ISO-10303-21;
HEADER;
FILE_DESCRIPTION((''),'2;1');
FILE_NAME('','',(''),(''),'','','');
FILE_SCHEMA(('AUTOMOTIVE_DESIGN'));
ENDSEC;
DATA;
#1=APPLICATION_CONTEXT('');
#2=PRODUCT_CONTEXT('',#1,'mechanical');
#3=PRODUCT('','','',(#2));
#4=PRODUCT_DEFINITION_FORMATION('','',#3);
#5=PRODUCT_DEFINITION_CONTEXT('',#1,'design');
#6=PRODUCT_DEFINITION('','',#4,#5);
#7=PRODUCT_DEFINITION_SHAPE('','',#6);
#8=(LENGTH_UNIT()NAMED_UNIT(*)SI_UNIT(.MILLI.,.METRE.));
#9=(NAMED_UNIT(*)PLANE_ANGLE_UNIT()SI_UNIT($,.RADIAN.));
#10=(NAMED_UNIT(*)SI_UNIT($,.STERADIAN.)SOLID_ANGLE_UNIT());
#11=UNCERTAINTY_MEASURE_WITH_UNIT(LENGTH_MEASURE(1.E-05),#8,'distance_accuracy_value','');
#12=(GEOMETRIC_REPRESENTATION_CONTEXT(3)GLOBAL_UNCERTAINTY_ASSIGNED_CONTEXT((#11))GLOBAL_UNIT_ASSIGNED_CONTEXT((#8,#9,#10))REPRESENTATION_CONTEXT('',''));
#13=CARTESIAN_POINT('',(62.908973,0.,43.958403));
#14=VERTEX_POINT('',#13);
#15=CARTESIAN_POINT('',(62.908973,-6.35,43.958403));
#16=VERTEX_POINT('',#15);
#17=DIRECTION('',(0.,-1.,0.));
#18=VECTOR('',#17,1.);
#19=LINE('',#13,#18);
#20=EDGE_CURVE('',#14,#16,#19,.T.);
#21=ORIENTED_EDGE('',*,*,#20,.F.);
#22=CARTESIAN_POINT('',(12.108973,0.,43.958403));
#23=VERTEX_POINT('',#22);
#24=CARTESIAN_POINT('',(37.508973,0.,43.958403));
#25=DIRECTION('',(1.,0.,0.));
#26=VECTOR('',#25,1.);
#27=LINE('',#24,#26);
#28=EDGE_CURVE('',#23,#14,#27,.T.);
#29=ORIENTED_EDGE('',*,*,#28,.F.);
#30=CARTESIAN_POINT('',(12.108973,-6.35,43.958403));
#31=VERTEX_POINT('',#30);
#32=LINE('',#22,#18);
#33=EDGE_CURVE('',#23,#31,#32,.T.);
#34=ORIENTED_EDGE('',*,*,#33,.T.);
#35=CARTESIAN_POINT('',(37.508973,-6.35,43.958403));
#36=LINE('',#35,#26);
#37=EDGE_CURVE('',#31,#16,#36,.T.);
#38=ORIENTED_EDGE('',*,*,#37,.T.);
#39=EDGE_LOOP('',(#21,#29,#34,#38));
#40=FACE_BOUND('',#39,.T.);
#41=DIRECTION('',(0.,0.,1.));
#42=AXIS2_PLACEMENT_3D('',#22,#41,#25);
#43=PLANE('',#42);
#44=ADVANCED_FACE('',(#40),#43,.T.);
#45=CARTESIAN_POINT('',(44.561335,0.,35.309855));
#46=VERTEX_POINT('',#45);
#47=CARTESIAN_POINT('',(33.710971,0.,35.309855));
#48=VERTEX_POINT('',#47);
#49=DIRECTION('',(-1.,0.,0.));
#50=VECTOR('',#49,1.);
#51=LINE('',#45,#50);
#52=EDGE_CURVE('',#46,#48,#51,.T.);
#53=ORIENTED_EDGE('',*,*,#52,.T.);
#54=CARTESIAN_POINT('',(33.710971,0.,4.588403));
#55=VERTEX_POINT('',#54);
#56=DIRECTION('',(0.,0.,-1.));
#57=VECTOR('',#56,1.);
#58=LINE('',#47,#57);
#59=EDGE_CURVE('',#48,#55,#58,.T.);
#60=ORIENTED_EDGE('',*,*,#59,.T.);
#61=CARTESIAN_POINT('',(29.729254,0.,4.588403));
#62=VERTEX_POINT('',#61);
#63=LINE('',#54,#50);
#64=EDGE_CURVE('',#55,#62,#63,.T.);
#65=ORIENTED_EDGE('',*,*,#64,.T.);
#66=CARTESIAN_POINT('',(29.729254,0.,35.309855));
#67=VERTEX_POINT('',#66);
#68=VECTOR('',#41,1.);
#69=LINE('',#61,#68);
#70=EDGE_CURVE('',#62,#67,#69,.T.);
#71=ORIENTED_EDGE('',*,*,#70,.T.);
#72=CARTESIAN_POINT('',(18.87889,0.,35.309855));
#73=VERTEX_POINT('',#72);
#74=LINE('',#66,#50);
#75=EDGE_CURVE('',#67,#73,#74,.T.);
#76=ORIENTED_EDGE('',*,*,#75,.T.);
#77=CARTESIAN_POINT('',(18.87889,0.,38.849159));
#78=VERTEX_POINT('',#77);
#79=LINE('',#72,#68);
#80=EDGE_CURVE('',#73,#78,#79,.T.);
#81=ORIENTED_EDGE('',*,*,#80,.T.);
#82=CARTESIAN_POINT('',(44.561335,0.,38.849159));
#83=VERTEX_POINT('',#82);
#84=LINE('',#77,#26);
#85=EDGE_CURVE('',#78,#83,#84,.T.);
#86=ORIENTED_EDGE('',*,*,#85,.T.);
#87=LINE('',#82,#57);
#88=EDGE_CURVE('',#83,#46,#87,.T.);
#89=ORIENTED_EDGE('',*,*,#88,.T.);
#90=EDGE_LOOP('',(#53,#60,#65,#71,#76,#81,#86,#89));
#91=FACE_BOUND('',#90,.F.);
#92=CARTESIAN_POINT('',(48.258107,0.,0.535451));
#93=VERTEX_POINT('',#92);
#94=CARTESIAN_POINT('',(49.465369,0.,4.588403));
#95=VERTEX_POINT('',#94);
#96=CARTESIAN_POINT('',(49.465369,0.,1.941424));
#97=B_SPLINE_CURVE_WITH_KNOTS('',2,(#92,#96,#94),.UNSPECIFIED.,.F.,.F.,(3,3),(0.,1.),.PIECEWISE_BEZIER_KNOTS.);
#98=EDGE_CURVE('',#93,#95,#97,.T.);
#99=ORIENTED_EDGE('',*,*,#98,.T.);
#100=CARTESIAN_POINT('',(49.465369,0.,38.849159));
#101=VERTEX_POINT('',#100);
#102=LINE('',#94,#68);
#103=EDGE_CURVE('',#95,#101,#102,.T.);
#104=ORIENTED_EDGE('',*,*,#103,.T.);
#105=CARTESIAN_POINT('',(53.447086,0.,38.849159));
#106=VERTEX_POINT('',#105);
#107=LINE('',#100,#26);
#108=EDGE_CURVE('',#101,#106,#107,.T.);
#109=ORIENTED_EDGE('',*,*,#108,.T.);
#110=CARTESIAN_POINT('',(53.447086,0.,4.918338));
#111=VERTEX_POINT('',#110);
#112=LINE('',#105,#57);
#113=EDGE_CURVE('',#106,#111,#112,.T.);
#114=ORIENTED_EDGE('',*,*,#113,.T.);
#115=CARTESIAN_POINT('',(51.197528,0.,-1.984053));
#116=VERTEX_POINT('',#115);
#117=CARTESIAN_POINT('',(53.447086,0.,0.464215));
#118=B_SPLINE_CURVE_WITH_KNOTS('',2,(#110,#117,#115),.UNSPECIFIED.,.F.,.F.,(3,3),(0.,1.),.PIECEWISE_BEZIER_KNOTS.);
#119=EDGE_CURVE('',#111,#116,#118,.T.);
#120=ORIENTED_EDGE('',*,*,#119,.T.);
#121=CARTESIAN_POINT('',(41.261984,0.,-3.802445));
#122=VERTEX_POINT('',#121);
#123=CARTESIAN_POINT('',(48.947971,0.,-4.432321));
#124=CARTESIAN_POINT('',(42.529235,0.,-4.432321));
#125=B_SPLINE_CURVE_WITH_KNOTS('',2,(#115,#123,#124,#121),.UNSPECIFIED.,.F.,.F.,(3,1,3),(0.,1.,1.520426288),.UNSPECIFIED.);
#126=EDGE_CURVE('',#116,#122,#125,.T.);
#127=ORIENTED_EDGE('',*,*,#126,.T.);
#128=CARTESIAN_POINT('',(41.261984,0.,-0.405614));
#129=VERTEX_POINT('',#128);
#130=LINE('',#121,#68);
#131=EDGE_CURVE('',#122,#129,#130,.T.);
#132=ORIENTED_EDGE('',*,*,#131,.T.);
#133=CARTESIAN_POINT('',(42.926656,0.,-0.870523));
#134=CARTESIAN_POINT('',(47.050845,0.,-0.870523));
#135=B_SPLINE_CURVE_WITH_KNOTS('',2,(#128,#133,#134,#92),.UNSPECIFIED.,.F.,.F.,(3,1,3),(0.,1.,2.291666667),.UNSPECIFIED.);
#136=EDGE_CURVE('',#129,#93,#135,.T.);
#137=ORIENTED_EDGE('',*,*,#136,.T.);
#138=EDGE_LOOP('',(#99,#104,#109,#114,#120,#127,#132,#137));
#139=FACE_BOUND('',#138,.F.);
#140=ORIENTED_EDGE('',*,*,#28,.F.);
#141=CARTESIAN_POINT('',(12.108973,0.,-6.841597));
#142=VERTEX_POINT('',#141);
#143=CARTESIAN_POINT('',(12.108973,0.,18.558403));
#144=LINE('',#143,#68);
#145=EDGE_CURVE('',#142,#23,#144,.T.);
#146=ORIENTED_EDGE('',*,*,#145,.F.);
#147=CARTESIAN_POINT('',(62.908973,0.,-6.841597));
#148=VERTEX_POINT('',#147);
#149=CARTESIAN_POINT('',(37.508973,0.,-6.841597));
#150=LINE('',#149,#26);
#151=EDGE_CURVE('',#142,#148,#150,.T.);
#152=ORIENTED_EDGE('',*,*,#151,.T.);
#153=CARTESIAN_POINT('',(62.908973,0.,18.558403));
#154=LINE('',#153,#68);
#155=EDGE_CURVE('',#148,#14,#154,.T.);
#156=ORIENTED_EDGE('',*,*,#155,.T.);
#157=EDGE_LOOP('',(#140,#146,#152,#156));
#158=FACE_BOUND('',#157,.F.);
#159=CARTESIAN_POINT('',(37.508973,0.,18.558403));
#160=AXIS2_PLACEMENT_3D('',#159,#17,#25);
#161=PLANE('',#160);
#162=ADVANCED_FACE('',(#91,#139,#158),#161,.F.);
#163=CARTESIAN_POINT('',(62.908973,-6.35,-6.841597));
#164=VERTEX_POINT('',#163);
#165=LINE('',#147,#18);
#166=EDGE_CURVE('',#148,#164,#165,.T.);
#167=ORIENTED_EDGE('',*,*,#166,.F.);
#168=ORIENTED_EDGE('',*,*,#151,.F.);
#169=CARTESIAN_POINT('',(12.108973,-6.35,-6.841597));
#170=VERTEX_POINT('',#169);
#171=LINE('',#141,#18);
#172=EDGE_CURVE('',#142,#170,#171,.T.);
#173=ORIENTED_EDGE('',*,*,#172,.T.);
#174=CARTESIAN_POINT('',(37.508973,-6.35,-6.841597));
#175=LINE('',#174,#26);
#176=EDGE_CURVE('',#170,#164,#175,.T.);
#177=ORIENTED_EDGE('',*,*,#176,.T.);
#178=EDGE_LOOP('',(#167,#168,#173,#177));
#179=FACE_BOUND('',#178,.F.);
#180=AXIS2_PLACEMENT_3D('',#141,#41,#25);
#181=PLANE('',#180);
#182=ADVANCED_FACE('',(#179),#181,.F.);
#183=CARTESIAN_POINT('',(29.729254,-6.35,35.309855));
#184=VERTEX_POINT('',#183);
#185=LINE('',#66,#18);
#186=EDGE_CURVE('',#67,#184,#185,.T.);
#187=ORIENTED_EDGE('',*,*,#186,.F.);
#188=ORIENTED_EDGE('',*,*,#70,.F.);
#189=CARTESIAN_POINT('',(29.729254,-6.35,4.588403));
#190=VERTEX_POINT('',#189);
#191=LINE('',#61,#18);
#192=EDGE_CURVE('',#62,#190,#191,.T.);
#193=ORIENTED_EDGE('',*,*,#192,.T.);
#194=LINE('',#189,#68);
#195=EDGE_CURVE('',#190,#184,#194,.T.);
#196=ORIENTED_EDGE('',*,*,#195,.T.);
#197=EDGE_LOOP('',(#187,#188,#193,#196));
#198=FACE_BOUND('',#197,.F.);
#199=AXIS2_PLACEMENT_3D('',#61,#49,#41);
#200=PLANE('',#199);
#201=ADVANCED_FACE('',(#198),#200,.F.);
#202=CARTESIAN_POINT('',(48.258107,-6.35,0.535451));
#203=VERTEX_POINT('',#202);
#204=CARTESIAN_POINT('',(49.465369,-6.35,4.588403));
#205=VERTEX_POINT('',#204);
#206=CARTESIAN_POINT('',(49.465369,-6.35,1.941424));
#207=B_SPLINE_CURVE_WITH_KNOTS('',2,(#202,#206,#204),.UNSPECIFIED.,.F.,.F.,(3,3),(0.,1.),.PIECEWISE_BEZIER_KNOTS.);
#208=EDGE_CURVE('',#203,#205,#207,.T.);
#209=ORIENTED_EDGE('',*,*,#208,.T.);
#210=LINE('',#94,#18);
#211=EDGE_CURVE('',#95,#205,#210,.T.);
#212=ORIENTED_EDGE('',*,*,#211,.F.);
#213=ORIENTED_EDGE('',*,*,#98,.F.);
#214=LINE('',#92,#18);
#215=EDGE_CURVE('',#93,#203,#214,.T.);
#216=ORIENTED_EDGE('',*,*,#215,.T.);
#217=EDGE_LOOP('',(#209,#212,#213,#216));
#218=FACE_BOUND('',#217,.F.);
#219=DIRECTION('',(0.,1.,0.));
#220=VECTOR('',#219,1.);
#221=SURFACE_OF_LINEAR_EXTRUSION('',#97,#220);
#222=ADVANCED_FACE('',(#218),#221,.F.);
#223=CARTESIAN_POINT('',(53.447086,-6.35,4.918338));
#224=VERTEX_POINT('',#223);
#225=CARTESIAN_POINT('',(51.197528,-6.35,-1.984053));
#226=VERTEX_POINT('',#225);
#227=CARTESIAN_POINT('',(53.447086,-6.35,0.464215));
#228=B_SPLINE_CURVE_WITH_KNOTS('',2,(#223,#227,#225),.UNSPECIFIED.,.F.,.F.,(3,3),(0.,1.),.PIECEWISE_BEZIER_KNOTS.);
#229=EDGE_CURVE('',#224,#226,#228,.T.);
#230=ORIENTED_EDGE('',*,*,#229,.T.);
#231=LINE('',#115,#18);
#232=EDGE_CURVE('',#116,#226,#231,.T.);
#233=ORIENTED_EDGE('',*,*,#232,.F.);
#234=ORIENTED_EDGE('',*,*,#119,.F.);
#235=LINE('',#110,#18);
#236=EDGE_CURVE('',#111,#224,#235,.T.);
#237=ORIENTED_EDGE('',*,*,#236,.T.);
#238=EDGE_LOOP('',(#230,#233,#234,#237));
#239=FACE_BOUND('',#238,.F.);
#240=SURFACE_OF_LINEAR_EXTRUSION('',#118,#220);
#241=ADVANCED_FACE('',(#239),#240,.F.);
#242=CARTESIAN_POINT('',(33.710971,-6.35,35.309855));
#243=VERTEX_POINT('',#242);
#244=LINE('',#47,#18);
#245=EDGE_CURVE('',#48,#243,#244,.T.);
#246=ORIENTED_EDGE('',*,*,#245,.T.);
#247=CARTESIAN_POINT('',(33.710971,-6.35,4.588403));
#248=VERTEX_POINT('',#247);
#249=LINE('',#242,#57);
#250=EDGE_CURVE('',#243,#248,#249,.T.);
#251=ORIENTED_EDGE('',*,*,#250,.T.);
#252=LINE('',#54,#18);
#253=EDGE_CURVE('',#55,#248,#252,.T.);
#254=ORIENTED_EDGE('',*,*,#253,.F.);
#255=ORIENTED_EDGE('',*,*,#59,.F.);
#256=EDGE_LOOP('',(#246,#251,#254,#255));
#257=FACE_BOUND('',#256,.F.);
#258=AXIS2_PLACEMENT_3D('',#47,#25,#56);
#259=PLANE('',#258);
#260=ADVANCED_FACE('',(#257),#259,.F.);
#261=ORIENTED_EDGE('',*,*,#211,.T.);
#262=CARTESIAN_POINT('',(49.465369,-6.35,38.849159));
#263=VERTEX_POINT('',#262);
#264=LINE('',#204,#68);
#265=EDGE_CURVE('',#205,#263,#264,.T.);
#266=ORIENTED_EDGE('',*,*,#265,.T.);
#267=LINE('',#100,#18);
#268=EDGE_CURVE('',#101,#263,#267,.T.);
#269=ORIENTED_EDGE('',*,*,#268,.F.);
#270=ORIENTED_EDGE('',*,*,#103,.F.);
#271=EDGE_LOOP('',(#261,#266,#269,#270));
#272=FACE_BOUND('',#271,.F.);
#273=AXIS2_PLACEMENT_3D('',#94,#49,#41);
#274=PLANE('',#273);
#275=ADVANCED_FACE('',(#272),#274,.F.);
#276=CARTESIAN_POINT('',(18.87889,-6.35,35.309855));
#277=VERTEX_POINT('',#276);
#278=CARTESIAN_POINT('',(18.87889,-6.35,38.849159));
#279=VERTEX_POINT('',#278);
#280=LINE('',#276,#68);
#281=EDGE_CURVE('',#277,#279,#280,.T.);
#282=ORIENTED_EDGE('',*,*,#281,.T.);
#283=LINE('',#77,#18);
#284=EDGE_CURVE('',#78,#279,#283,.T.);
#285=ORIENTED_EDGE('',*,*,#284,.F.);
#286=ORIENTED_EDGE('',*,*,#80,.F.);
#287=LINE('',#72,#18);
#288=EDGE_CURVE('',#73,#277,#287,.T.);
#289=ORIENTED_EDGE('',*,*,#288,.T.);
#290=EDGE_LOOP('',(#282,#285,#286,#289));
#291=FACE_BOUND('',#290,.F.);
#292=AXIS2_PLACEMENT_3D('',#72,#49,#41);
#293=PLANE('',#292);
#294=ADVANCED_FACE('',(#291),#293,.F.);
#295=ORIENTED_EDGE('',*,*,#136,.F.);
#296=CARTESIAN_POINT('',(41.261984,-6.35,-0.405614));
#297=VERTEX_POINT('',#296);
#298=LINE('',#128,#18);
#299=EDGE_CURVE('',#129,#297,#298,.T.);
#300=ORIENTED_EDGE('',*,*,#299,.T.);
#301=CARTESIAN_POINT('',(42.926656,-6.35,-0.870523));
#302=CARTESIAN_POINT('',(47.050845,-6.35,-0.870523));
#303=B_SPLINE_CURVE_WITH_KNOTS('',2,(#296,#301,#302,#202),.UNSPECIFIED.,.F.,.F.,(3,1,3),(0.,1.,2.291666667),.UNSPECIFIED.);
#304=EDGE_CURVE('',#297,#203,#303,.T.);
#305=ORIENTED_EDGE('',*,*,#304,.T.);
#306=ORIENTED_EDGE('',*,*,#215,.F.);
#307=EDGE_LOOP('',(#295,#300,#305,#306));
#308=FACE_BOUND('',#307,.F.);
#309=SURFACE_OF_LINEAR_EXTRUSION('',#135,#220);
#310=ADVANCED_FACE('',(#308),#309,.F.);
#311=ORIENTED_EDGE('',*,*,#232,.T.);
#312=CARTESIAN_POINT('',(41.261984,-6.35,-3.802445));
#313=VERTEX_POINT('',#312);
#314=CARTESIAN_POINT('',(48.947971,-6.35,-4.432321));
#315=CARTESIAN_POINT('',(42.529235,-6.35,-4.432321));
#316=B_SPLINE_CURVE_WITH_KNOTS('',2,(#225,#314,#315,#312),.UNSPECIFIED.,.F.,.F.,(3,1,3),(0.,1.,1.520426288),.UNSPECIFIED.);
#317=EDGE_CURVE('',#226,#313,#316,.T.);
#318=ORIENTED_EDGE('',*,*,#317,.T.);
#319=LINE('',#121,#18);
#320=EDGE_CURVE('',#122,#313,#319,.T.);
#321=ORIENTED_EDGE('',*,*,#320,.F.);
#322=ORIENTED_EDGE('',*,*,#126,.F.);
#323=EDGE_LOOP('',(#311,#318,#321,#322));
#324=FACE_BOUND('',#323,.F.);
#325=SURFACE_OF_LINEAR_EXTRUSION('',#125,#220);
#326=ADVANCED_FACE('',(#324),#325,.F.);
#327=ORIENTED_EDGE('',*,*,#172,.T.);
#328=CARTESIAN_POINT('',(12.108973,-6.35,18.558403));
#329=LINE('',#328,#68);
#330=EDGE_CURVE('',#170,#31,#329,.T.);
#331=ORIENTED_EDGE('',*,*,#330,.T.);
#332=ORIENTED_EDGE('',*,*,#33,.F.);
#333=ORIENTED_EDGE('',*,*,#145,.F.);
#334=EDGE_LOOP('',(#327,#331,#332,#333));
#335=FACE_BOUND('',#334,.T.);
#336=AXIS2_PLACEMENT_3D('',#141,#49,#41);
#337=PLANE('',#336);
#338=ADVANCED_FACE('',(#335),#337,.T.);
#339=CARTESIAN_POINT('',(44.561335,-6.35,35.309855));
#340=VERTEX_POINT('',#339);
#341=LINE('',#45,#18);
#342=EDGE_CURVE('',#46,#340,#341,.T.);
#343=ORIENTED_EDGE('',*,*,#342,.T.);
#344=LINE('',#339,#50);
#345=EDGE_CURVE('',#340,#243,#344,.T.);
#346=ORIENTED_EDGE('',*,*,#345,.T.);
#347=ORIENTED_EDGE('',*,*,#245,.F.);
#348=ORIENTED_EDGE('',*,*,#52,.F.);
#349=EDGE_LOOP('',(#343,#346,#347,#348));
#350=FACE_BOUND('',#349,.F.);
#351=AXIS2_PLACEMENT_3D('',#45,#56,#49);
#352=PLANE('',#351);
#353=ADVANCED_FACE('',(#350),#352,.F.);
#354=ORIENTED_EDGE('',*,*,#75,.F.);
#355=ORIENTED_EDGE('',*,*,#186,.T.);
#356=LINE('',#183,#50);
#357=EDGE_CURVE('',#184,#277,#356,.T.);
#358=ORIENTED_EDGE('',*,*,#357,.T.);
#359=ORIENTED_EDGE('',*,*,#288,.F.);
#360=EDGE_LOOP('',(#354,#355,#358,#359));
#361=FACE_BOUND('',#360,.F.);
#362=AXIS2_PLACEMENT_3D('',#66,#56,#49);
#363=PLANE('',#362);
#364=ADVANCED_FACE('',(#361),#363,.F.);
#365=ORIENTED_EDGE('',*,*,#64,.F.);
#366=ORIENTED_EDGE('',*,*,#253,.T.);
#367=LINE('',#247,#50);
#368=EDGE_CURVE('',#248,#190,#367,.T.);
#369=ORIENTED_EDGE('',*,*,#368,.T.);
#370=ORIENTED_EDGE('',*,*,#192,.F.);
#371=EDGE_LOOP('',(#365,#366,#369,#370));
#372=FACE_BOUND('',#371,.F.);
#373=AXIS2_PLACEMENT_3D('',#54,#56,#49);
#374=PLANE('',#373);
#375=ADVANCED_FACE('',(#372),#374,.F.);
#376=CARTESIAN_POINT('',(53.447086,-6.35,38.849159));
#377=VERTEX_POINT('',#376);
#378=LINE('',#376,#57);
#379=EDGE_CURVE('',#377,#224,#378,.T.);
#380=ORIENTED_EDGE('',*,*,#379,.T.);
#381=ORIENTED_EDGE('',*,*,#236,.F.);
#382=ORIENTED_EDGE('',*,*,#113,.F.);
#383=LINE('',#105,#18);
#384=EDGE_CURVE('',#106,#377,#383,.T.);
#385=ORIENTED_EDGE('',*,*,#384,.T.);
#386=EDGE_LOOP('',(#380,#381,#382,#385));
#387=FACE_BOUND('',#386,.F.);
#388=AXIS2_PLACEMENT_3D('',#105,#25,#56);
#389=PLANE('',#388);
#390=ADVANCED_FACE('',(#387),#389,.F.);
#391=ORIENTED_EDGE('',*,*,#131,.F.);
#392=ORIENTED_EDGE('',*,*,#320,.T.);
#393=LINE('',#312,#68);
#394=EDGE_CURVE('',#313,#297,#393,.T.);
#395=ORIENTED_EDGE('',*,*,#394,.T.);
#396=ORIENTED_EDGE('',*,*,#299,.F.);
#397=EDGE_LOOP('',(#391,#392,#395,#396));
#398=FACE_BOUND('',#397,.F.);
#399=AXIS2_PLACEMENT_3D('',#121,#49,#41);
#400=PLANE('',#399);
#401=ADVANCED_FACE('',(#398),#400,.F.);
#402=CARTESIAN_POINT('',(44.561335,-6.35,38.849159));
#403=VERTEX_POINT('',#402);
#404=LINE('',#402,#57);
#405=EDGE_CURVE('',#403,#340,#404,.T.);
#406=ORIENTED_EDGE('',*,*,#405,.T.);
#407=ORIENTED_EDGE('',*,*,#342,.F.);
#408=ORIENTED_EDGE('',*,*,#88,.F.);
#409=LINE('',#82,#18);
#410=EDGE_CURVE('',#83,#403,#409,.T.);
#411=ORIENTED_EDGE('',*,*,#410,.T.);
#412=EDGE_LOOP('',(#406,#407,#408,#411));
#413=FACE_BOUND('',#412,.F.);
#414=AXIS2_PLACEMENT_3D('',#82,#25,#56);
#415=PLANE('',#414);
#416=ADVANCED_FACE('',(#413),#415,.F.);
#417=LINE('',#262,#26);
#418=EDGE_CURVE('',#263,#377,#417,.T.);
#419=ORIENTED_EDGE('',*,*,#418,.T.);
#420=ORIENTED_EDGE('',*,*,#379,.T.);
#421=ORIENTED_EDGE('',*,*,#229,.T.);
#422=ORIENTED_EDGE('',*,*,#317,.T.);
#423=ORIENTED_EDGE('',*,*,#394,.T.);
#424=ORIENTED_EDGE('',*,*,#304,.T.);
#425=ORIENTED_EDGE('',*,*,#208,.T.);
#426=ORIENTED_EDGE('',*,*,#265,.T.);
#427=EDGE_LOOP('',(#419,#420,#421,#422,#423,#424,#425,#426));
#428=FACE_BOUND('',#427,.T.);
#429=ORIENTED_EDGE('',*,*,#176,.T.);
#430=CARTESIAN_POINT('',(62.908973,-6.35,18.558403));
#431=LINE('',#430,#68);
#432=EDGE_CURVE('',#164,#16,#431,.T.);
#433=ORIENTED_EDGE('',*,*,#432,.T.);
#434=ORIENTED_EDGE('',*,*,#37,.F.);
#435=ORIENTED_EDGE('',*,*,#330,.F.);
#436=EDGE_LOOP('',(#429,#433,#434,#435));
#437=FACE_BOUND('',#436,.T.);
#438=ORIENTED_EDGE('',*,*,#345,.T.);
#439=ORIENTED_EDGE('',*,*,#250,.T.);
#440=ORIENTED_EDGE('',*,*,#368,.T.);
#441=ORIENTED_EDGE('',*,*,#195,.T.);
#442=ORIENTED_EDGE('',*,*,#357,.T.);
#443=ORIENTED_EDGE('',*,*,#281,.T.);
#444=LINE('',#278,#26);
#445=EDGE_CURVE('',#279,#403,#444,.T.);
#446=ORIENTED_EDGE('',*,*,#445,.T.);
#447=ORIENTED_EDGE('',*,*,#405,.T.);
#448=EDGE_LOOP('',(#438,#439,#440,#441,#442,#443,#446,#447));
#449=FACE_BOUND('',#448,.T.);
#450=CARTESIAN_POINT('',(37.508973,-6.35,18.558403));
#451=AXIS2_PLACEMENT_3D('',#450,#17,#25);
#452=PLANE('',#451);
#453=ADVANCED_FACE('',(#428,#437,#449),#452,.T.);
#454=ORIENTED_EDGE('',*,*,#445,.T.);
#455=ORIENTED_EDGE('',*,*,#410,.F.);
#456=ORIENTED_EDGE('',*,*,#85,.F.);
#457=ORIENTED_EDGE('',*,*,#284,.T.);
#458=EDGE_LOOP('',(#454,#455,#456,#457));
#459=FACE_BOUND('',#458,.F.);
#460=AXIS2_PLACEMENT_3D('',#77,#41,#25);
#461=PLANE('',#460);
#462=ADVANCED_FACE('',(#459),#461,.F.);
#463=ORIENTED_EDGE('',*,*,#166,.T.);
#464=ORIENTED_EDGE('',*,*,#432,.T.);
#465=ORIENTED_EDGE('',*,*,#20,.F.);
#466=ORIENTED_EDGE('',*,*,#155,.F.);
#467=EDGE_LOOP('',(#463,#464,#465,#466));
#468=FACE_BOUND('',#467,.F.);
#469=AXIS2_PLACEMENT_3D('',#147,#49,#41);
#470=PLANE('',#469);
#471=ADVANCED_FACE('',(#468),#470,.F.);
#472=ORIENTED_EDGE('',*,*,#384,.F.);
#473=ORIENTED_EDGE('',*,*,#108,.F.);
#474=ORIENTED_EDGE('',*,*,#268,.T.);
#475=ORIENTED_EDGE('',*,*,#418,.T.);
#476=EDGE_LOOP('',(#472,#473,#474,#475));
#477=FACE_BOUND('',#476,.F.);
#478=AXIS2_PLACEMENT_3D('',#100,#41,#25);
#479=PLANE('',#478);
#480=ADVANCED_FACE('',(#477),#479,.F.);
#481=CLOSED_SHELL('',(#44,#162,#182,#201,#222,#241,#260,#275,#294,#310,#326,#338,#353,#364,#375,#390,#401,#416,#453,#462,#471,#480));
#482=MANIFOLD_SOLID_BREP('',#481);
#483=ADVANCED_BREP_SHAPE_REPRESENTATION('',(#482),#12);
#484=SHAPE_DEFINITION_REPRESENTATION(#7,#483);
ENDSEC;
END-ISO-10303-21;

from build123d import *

# Parameters (mm, degrees)
F0_W     = 50.8
F0_H     = 50.8
F1_DEPTH = 6.35


with BuildPart() as f1:
    # F0 (on Front) → F1 (new body)
    with BuildSketch(Plane.XZ):
        with Locations((37.5089729323, 18.5584027804)):
            Rectangle(F0_W, F0_H)
        with BuildLine():
            add(Edge.make_bspline(
                [(51.1975283348, -1.984053429), (48.947971161, -4.4323214865), (44.7263021982, -4.4323214865)],
                knots=[0, 0, 0, 1, 1, 1], degree=2))
            add(Edge.make_bspline(
                [(44.7263021982, -4.4323214865), (42.5292346918, -4.4323214865), (41.2619841505, -3.8024454778)],
                knots=[0, 0, 0, 1, 1, 1], degree=2))
            Line((41.2619841505, -3.8024454778), (41.2619841505, -0.4056141454))
            add(Edge.make_bspline(
                [(41.2619841505, -0.4056141454), (42.9266564591, -0.870522628), (44.7263021982, -0.870522628)],
                knots=[0, 0, 0, 1, 1, 1], degree=2))
            add(Edge.make_bspline(
                [(44.7263021982, -0.870522628), (47.0508446111, -0.870522628), (48.258106961, 0.5354506056)],
                knots=[0, 0, 0, 1, 1, 1], degree=2))
            add(Edge.make_bspline(
                [(48.258106961, 0.5354506056), (49.4653693109, 1.9414238393), (49.4653693109, 4.5884027804)],
                knots=[0, 0, 0, 1, 1, 1], degree=2))
            Line((49.4653693109, 4.5884027804), (49.4653693109, 38.8491585372))
            Line((49.4653693109, 38.8491585372), (53.4470855085, 38.8491585372))
            Line((53.4470855085, 38.8491585372), (53.4470855085, 4.9183378326))
            add(Edge.make_bspline(
                [(53.4470855085, 4.9183378326), (53.4470855085, 0.4642146285), (51.1975283348, -1.984053429)],
                knots=[0, 0, 0, 1, 1, 1], degree=2))
        make_face(mode=Mode.SUBTRACT)
        Polygon((33.7109705705, 35.3098552504), (33.7109705705, 4.5884027804), (29.7292543729, 4.5884027804), (29.7292543729, 35.3098552504), (18.8788902714, 35.3098552504), (18.8788902714, 38.8491585372), (44.5613346721, 38.8491585372), (44.5613346721, 35.3098552504), align=None, mode=Mode.SUBTRACT)
    extrude(amount=F1_DEPTH)


solid = f1.part
